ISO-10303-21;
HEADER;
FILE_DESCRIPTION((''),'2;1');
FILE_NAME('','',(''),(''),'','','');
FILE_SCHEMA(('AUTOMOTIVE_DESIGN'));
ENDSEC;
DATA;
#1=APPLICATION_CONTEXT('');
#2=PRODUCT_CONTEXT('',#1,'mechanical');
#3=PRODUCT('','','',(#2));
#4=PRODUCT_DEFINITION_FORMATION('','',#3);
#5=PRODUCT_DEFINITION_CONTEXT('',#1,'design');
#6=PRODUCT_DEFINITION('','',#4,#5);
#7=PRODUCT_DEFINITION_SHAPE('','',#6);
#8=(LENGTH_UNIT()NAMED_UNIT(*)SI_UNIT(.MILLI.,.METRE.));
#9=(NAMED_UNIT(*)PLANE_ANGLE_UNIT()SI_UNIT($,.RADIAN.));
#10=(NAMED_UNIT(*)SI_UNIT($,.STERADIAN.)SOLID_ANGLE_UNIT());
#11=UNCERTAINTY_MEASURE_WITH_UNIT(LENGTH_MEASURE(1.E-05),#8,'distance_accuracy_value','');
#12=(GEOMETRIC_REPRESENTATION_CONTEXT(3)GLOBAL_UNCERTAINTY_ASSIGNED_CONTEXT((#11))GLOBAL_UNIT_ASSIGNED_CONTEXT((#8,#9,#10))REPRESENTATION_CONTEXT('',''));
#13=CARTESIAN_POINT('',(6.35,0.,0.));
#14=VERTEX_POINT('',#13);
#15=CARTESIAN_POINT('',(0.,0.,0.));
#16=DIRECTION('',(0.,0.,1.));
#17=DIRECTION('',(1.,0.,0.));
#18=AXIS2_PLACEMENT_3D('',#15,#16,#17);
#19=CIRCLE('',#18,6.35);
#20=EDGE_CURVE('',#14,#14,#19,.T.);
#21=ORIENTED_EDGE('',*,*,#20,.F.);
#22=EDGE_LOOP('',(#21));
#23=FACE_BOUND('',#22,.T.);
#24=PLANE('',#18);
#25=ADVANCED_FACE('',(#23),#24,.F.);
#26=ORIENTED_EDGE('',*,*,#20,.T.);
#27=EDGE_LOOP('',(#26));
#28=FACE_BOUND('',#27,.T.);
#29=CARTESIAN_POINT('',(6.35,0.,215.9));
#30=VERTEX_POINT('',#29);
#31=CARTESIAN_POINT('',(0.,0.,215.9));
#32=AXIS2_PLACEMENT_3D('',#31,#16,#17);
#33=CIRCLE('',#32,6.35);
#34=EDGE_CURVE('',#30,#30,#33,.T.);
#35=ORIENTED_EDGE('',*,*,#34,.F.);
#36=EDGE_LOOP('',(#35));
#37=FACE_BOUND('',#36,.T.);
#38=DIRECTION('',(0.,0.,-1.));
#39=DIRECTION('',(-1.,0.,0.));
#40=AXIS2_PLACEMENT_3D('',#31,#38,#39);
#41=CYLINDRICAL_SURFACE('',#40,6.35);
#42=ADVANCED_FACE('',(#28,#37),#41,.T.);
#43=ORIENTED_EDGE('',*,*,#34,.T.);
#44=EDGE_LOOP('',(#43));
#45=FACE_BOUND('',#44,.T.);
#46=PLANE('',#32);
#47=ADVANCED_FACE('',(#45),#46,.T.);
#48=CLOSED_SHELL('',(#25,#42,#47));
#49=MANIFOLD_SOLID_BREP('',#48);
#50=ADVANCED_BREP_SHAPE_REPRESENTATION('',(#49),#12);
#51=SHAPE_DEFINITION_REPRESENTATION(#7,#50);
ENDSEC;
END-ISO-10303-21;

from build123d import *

# Parameters (mm, degrees)
SKETCH1_R           = 6.35
BOSS_EXTRUDE1_DEPTH = 215.9


with BuildPart() as part:
    # Sketch1 → Boss-Extrude1 (new body)
    with BuildSketch(Plane.XY):
        Circle(SKETCH1_R)
    extrude(amount=BOSS_EXTRUDE1_DEPTH)


solid = part.part
